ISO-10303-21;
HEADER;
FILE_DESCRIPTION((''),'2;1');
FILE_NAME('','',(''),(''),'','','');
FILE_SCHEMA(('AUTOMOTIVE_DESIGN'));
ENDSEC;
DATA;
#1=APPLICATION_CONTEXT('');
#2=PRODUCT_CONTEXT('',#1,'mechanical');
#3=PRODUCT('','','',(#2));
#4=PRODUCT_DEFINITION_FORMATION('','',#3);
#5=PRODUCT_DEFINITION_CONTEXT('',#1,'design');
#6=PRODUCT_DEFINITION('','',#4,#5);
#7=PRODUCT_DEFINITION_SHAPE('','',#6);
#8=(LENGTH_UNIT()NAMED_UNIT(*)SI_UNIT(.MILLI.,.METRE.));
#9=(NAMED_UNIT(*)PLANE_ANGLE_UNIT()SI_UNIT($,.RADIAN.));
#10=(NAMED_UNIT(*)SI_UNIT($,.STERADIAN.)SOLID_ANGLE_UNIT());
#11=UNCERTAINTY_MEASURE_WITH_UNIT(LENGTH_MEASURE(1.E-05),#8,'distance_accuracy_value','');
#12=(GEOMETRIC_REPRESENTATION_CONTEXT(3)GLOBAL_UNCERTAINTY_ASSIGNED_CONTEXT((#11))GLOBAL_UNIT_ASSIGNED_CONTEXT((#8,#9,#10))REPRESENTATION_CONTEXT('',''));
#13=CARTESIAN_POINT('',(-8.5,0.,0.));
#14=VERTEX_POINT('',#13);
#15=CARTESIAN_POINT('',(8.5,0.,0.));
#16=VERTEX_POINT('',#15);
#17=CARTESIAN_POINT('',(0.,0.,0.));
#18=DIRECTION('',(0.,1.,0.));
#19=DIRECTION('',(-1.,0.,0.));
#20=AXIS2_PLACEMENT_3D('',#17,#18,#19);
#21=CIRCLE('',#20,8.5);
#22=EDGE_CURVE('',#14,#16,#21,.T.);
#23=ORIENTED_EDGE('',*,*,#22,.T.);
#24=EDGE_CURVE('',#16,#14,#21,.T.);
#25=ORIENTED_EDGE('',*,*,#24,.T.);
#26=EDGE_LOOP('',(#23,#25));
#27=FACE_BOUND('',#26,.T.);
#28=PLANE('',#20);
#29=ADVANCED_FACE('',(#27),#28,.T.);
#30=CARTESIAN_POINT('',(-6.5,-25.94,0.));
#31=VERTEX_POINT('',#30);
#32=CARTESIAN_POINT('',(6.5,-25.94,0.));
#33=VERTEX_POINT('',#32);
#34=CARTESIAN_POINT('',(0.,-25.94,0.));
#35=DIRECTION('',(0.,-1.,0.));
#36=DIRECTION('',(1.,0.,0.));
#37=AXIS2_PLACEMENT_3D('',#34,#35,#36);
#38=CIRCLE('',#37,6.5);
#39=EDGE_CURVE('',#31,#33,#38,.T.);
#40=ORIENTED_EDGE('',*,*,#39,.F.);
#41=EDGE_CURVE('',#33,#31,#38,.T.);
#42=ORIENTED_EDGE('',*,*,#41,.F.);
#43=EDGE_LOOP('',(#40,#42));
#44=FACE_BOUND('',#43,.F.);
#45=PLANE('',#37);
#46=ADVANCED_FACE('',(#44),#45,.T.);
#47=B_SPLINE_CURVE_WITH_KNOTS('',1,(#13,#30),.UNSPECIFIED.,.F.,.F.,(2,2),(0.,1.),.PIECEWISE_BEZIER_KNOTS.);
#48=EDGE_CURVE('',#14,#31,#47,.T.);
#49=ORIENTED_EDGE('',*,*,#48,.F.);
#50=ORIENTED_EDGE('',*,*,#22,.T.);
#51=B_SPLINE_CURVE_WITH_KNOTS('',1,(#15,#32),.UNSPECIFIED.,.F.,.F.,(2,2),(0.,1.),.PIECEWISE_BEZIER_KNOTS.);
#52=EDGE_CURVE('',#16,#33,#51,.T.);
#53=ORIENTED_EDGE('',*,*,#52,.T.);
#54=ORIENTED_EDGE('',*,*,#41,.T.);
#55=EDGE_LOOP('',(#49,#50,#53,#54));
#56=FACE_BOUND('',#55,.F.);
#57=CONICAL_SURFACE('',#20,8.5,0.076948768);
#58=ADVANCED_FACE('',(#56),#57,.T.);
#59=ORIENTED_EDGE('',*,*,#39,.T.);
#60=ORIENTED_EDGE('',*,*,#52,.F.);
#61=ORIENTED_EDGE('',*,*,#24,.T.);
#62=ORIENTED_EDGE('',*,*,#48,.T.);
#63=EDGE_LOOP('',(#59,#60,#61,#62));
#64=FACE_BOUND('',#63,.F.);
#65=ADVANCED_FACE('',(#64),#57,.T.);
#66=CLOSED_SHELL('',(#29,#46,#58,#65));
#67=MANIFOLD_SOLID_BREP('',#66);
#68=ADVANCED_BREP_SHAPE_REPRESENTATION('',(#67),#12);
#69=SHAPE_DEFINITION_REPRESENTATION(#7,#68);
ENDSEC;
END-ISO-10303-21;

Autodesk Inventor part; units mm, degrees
ref_plane "YZ Plane" through (0, 0, 0) normal (1, 0, 0) x (0, 1, 0)
ref_plane "XZ Plane" through (0, 0, 0) normal (0, 1, 0) x (-1, 0, 0)
sketch "Sketch1" plane through (0, 0, 0) normal (0, 1, 0) x (-1, 0, 0)
  circle A0 centre (0, 0) radius 8.5
  dimension "d0" = 17
ref_plane "Work Plane1" through (0, 0, 0) normal (0, -1, 0) x (1, 0, 0)
ref_plane "Work Plane2" through (0, -25.94, 0) normal (0, -1, 0) x (1, 0, 0)
sketch "Sketch4" plane through (0, -25.94, 0) normal (0, -1, 0) x (1, 0, 0)
  circle A0 centre (0, 0) radius 6.5
  dimension "d5" = 13
loft "Loft1" add profiles "Sketch1", "Sketch4"
properties part number "SC-1-01-Test Tube Cap" material "Rubber"
